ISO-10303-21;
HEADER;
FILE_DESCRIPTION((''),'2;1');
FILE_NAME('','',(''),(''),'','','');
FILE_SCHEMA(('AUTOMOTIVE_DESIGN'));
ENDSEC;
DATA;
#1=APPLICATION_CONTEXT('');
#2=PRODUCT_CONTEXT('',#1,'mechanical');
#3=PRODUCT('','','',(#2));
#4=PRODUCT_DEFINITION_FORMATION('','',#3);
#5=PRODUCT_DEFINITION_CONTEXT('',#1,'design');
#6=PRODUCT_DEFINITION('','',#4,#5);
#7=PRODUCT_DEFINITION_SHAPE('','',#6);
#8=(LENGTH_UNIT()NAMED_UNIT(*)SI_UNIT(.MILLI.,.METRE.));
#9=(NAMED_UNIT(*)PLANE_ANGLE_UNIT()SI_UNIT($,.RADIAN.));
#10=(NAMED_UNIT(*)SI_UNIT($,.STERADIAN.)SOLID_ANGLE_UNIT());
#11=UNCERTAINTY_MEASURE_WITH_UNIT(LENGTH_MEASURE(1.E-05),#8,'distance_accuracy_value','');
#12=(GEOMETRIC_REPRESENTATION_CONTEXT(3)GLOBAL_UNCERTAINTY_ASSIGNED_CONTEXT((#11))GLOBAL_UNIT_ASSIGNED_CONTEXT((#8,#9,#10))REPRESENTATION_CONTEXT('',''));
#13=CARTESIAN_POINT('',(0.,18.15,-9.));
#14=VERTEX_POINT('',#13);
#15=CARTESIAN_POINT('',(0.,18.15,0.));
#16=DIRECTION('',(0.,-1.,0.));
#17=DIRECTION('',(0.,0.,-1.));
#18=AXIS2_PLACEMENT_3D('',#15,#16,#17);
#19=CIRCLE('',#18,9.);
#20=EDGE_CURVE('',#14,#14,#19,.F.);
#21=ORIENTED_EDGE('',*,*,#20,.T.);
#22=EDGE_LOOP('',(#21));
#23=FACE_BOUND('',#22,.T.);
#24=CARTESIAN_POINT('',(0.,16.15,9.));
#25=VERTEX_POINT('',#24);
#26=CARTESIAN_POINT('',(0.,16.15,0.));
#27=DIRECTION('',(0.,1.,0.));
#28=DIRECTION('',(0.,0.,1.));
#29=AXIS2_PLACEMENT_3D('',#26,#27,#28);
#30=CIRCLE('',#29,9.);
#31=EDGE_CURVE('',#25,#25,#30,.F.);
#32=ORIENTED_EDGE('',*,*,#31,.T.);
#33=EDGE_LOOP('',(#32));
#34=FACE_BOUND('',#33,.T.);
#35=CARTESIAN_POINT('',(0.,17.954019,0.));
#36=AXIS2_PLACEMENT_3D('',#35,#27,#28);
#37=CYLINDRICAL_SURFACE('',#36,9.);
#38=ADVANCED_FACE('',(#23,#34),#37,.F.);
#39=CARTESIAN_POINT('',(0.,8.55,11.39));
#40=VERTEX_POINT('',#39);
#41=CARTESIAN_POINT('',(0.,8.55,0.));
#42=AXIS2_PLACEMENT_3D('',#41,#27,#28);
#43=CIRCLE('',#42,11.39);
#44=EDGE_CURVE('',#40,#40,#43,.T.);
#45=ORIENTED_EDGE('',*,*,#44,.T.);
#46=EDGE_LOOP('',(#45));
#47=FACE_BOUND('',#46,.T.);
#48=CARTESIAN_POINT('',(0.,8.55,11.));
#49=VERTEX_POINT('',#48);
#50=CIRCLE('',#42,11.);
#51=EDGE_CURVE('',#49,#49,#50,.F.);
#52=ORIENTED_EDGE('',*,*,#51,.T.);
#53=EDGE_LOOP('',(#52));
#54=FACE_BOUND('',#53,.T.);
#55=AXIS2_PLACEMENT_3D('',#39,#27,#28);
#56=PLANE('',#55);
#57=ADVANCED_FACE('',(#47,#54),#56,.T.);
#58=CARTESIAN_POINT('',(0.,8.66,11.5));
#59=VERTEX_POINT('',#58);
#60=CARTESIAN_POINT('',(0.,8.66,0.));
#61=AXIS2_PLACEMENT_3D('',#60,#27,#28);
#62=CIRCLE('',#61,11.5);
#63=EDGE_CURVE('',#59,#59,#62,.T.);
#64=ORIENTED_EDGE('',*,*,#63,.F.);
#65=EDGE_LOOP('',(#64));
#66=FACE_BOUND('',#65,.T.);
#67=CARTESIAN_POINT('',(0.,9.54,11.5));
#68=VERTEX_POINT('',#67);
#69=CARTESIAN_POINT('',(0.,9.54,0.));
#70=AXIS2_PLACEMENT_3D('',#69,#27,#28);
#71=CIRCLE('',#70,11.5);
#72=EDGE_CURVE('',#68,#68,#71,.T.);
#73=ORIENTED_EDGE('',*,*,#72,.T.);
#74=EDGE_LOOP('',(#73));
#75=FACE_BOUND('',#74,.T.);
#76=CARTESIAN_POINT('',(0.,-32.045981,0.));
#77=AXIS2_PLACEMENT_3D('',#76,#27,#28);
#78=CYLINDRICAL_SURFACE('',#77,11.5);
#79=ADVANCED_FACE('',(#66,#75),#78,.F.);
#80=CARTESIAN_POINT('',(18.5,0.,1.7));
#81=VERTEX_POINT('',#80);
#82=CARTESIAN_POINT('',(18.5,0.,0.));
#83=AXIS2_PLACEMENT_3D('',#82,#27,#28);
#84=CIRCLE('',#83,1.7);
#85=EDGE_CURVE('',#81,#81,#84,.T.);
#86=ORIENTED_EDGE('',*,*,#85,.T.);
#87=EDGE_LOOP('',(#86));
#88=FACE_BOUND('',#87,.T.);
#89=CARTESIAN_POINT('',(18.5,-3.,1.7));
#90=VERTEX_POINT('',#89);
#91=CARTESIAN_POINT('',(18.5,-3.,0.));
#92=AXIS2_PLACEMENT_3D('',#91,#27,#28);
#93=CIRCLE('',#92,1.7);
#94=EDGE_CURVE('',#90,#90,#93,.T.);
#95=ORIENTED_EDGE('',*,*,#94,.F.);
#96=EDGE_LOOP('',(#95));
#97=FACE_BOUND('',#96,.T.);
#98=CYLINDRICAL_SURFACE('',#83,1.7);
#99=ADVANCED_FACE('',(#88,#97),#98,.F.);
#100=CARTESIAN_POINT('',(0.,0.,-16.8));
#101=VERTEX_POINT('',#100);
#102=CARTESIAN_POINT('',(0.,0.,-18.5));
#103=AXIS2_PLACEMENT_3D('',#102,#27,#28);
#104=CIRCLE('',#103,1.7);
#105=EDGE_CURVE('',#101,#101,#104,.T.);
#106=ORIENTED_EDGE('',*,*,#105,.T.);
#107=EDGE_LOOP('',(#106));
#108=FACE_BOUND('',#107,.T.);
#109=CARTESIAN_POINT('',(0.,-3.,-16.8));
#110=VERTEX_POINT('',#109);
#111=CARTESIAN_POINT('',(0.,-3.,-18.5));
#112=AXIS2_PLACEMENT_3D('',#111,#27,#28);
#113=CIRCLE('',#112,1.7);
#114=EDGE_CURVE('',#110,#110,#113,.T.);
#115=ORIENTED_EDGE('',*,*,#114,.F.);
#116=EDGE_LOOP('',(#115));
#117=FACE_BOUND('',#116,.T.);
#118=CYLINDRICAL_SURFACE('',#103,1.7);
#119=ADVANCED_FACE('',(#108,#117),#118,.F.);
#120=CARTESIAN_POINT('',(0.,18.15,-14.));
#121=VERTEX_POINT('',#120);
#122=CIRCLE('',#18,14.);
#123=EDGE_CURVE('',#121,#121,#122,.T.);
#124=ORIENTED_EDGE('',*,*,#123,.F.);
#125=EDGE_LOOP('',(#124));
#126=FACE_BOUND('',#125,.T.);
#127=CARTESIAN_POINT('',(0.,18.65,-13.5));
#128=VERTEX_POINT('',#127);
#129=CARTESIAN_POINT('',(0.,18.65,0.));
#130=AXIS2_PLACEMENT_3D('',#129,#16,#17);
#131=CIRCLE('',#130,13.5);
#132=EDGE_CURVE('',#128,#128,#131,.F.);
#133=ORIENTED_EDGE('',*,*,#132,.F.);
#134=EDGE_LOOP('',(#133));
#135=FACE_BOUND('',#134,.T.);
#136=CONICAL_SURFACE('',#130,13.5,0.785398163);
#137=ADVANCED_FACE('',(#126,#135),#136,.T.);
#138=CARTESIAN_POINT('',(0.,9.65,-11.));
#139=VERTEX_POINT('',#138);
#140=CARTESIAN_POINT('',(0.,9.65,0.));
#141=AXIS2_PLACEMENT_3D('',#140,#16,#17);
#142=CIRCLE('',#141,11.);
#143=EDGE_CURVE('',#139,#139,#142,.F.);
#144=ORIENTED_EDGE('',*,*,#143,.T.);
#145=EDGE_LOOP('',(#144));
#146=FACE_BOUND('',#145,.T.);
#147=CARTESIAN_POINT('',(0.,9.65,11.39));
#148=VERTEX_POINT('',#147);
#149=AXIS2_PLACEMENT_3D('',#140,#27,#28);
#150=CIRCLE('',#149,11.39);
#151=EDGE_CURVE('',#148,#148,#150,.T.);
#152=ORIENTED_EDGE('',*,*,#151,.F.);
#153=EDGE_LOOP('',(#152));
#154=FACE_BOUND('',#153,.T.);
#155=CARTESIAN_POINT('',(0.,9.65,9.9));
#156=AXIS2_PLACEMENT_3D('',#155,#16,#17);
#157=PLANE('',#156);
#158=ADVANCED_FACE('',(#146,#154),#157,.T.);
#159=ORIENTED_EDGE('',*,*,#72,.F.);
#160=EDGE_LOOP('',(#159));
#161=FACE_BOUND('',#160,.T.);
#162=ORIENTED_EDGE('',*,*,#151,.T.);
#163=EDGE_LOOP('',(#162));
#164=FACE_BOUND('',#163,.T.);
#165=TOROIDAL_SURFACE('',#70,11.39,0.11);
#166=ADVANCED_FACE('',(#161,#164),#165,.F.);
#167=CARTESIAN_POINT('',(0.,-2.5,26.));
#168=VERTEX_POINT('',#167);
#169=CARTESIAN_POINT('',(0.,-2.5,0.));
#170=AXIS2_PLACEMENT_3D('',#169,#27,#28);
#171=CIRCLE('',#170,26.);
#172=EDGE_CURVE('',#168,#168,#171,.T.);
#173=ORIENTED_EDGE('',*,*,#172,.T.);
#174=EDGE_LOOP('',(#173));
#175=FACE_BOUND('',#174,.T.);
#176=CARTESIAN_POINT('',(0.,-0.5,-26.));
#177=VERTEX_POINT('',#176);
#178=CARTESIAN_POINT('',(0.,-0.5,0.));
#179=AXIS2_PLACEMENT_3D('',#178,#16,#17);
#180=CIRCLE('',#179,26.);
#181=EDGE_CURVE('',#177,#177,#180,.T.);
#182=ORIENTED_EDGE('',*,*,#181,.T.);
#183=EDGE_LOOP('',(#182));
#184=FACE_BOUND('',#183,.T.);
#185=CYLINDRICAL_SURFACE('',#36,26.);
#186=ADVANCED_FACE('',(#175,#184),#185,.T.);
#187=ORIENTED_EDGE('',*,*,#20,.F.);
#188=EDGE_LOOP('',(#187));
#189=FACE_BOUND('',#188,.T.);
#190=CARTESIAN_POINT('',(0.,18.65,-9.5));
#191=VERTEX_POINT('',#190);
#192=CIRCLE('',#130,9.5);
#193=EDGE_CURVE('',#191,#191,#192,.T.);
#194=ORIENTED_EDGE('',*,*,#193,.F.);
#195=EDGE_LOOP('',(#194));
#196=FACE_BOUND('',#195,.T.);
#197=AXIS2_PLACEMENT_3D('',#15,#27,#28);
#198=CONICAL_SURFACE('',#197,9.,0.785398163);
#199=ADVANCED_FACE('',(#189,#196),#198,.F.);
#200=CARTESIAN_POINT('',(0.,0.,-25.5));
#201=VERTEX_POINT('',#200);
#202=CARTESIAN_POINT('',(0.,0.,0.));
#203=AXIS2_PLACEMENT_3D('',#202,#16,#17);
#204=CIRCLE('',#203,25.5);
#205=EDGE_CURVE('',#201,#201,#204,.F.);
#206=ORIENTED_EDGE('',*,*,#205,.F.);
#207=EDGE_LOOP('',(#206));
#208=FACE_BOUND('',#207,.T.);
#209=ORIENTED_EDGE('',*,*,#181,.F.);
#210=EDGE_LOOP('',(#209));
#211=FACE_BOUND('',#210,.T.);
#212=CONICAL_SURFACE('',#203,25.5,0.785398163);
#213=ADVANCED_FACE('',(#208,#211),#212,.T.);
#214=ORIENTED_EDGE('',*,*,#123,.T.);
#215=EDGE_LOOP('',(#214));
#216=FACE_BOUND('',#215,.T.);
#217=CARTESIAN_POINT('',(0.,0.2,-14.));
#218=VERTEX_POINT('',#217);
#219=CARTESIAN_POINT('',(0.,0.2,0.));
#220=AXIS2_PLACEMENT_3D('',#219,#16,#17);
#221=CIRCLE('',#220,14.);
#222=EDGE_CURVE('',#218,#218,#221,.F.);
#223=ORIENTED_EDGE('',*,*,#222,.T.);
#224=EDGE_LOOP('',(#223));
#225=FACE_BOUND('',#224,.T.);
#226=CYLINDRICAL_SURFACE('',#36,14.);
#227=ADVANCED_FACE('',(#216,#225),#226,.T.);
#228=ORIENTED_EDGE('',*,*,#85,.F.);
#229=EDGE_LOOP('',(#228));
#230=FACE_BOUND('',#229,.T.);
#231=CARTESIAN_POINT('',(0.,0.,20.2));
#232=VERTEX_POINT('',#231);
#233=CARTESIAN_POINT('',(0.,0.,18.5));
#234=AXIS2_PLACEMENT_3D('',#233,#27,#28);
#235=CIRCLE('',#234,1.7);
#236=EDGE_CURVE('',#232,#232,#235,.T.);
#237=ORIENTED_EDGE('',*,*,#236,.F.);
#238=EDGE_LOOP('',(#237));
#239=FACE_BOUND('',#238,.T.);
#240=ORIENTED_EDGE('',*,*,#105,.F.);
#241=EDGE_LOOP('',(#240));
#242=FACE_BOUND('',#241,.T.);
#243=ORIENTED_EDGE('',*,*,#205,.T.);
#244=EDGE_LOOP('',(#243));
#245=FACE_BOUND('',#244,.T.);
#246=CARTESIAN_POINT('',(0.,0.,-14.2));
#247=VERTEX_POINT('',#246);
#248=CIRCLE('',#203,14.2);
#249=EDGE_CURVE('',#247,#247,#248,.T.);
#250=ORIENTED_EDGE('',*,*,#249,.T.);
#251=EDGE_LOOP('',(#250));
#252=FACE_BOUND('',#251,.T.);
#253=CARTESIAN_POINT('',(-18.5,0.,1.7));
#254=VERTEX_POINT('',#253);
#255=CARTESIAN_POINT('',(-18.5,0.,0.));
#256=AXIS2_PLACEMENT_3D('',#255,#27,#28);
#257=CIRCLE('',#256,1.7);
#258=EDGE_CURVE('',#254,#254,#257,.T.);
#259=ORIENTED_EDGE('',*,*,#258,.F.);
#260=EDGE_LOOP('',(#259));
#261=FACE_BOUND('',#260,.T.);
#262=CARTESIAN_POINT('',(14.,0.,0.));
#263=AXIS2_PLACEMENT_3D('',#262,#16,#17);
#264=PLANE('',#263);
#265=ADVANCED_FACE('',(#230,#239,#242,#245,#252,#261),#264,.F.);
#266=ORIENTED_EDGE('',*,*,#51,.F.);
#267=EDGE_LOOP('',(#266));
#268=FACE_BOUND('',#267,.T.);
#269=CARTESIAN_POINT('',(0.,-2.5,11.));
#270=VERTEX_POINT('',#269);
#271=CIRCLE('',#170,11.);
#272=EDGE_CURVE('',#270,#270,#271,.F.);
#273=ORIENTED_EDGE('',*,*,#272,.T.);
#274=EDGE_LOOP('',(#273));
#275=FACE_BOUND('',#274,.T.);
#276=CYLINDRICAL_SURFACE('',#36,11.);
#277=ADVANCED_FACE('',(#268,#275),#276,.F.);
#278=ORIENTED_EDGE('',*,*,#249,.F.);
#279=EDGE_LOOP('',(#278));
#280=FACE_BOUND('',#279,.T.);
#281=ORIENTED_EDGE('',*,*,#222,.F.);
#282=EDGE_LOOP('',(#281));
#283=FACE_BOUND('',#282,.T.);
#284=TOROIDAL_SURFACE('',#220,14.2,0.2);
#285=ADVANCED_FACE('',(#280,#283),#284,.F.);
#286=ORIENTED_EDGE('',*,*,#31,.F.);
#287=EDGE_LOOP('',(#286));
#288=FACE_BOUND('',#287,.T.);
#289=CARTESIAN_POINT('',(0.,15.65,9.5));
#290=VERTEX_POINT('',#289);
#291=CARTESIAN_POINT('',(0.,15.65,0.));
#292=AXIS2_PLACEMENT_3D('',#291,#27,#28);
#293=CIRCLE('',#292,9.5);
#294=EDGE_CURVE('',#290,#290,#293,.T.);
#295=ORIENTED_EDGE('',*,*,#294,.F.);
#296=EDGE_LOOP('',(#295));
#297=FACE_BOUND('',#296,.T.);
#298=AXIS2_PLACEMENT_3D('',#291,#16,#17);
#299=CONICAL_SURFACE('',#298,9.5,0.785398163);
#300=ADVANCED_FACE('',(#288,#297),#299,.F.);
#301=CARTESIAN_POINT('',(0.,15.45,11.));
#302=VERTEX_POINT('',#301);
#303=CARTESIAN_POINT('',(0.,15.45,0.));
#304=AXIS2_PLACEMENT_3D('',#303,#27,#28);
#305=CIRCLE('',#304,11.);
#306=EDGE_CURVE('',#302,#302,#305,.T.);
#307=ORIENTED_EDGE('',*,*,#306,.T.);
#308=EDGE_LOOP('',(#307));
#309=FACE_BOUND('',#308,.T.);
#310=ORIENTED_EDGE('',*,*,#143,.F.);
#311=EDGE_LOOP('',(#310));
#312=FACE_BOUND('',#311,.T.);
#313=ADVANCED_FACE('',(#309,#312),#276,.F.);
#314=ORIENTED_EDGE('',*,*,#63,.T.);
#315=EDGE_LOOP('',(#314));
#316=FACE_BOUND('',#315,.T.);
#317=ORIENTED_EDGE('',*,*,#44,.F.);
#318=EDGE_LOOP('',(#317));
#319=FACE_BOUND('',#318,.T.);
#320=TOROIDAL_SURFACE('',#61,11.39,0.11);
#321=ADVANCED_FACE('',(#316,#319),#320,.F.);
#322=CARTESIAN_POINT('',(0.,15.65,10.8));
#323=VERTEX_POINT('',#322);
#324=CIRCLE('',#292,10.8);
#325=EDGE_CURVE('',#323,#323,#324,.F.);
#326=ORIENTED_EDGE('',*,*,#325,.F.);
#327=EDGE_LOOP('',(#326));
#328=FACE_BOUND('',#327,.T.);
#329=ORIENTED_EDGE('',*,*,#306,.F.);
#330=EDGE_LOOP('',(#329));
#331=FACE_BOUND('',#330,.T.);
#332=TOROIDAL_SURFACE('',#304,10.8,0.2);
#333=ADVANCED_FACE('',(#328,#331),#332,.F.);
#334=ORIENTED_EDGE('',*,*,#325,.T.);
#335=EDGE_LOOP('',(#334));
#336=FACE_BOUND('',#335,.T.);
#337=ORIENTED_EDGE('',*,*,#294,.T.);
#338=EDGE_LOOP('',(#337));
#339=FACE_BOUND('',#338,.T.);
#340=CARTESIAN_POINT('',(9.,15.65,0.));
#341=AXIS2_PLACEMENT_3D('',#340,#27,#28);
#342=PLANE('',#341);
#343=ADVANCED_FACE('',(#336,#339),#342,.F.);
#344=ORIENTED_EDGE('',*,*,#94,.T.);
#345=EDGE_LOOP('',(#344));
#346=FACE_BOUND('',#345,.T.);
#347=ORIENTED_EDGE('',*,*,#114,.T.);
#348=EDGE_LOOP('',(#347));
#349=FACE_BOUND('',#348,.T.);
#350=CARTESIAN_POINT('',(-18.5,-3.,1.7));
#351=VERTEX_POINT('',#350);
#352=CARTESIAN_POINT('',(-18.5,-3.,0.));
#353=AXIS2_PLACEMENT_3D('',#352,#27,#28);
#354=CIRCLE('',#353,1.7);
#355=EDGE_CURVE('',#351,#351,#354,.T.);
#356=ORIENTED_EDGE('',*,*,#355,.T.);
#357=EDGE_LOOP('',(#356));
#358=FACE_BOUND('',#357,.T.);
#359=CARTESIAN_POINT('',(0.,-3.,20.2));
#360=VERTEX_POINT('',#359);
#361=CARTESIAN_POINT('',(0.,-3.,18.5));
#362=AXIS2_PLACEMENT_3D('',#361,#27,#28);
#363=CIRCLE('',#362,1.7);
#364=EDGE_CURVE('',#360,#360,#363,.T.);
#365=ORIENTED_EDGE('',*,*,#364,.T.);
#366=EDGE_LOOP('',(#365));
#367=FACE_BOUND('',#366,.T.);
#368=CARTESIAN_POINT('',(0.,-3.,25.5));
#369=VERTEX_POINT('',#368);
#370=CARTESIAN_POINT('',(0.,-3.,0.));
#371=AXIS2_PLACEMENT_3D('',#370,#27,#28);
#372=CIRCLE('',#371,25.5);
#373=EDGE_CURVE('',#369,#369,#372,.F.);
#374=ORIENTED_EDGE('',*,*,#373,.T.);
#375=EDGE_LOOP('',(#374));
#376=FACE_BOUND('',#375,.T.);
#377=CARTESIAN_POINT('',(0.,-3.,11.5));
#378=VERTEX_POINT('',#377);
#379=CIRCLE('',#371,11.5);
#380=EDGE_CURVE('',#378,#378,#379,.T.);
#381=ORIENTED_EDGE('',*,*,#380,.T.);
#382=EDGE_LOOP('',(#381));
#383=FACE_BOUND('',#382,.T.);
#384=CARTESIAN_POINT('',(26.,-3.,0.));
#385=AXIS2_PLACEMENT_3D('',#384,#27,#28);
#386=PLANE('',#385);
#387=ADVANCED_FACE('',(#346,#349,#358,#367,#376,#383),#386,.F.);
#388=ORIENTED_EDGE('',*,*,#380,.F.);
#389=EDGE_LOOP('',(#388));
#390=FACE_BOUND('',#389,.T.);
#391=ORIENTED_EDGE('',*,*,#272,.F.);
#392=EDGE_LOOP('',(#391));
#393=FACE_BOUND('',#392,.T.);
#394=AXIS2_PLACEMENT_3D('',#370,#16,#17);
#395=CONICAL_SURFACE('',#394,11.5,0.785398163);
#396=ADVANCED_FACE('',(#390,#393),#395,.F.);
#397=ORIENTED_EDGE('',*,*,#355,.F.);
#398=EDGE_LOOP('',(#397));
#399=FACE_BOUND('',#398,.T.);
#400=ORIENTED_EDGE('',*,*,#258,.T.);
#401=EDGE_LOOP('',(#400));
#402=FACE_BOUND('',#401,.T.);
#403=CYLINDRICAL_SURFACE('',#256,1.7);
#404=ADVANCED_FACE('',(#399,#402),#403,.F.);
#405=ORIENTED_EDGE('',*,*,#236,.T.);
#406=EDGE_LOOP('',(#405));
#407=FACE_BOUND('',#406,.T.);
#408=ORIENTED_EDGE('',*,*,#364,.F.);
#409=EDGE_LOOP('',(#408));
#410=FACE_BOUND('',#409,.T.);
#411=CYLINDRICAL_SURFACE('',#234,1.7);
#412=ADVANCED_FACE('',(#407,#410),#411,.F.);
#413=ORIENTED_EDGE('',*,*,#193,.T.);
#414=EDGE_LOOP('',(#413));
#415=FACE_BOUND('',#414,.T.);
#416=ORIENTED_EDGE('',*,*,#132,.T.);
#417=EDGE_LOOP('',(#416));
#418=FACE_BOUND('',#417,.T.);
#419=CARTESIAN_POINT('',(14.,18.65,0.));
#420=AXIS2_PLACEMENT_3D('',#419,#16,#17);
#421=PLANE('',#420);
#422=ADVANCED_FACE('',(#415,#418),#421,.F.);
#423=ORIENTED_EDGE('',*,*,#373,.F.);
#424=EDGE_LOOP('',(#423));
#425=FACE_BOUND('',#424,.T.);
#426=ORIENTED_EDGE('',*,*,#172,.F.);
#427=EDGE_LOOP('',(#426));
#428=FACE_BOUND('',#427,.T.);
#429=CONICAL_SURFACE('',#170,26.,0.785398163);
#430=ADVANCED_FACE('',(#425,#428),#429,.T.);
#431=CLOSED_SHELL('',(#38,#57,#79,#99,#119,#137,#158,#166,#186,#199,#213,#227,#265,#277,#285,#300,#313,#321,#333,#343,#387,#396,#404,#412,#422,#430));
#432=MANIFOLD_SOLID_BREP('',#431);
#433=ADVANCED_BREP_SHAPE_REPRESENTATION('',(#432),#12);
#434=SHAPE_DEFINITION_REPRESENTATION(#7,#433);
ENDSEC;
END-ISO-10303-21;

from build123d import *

# Parameters (mm, degrees)
M3_CLEARANCE_HOLE1_D = 3.4
FILLET1_R            = 0.2
FILLET2_R            = 0.2
CHAMFER1_SIZE        = 0.5


with BuildPart() as part:
    # Sketch1 → Revolve1 (revolve)
    with BuildSketch(Plane.XY, mode=Mode.PRIVATE) as revolve1_sk:
        Polygon((11, -3), (11, 15.65), (9, 15.65), (9, 18.65), (14, 18.65), (14, 0), (26, 0), (26, -3), align=None)
    revolve(revolve1_sk.sketch.rotate(Axis((0, 17.954019247, 0), (0, -1, 0)), 90), axis=Axis((0, 17.954019247, 0), (0, -1, 0)))

    # Sketch4 → Groove for BS 3673 P4 - B022M, Internal Circlip1 (revolve, cut)
    with BuildSketch(Plane(origin=(0, 17.954019247, 0), x_dir=(0, 0, 1), z_dir=(-1, 0, 0))):
        with BuildLine():
            Line((11.39, -9.404019247), (9.9, -9.404019247))
            Line((9.9, -9.404019247), (9.9, -8.304019247))
            Line((9.9, -8.304019247), (11.39, -8.304019247))
            ThreePointArc((11.39, -8.304019247), (11.467781746, -8.336237501), (11.5, -8.414019247))
            Line((11.5, -8.414019247), (11.5, -9.294019247))
            ThreePointArc((11.5, -9.294019247), (11.467781746, -9.371800993), (11.39, -9.404019247))
        make_face()
    revolve(axis=Axis((0, -32.045980753, 0), (0, 1, 0)), mode=Mode.SUBTRACT)

    # M3 Clearance Hole1 (through all)
    with Locations(Plane(origin=(0, 0, 0), x_dir=(1, 0, 0), z_dir=(0, 1, 0))):
        with Locations((0, 18.5), (18.5, 0), (0, -18.5), (-18.5, 0)):
            Hole(M3_CLEARANCE_HOLE1_D / 2)

    # Fillet1
    fillet1_edges = [part.edges().sort_by_distance(p)[0] for p in [
        (0, 15.65, -11),
    ]]
    fillet(fillet1_edges, radius=FILLET1_R)

    # Fillet2
    fillet2_edges = [part.edges().sort_by_distance(p)[0] for p in [
        (0, 0, -14),
    ]]
    fillet(fillet2_edges, radius=FILLET2_R)

    # Chamfer1
    chamfer1_edges = [part.edges().sort_by_distance(p)[0] for p in [
        (0, 15.65, -9),
        (0, 18.65, -9),
        (0, 18.65, -14),
        (0, 0, -26),
        (0, -3, -26),
        (0, -3, -11),
    ]]
    chamfer(chamfer1_edges, length=CHAMFER1_SIZE)


solid = part.part
